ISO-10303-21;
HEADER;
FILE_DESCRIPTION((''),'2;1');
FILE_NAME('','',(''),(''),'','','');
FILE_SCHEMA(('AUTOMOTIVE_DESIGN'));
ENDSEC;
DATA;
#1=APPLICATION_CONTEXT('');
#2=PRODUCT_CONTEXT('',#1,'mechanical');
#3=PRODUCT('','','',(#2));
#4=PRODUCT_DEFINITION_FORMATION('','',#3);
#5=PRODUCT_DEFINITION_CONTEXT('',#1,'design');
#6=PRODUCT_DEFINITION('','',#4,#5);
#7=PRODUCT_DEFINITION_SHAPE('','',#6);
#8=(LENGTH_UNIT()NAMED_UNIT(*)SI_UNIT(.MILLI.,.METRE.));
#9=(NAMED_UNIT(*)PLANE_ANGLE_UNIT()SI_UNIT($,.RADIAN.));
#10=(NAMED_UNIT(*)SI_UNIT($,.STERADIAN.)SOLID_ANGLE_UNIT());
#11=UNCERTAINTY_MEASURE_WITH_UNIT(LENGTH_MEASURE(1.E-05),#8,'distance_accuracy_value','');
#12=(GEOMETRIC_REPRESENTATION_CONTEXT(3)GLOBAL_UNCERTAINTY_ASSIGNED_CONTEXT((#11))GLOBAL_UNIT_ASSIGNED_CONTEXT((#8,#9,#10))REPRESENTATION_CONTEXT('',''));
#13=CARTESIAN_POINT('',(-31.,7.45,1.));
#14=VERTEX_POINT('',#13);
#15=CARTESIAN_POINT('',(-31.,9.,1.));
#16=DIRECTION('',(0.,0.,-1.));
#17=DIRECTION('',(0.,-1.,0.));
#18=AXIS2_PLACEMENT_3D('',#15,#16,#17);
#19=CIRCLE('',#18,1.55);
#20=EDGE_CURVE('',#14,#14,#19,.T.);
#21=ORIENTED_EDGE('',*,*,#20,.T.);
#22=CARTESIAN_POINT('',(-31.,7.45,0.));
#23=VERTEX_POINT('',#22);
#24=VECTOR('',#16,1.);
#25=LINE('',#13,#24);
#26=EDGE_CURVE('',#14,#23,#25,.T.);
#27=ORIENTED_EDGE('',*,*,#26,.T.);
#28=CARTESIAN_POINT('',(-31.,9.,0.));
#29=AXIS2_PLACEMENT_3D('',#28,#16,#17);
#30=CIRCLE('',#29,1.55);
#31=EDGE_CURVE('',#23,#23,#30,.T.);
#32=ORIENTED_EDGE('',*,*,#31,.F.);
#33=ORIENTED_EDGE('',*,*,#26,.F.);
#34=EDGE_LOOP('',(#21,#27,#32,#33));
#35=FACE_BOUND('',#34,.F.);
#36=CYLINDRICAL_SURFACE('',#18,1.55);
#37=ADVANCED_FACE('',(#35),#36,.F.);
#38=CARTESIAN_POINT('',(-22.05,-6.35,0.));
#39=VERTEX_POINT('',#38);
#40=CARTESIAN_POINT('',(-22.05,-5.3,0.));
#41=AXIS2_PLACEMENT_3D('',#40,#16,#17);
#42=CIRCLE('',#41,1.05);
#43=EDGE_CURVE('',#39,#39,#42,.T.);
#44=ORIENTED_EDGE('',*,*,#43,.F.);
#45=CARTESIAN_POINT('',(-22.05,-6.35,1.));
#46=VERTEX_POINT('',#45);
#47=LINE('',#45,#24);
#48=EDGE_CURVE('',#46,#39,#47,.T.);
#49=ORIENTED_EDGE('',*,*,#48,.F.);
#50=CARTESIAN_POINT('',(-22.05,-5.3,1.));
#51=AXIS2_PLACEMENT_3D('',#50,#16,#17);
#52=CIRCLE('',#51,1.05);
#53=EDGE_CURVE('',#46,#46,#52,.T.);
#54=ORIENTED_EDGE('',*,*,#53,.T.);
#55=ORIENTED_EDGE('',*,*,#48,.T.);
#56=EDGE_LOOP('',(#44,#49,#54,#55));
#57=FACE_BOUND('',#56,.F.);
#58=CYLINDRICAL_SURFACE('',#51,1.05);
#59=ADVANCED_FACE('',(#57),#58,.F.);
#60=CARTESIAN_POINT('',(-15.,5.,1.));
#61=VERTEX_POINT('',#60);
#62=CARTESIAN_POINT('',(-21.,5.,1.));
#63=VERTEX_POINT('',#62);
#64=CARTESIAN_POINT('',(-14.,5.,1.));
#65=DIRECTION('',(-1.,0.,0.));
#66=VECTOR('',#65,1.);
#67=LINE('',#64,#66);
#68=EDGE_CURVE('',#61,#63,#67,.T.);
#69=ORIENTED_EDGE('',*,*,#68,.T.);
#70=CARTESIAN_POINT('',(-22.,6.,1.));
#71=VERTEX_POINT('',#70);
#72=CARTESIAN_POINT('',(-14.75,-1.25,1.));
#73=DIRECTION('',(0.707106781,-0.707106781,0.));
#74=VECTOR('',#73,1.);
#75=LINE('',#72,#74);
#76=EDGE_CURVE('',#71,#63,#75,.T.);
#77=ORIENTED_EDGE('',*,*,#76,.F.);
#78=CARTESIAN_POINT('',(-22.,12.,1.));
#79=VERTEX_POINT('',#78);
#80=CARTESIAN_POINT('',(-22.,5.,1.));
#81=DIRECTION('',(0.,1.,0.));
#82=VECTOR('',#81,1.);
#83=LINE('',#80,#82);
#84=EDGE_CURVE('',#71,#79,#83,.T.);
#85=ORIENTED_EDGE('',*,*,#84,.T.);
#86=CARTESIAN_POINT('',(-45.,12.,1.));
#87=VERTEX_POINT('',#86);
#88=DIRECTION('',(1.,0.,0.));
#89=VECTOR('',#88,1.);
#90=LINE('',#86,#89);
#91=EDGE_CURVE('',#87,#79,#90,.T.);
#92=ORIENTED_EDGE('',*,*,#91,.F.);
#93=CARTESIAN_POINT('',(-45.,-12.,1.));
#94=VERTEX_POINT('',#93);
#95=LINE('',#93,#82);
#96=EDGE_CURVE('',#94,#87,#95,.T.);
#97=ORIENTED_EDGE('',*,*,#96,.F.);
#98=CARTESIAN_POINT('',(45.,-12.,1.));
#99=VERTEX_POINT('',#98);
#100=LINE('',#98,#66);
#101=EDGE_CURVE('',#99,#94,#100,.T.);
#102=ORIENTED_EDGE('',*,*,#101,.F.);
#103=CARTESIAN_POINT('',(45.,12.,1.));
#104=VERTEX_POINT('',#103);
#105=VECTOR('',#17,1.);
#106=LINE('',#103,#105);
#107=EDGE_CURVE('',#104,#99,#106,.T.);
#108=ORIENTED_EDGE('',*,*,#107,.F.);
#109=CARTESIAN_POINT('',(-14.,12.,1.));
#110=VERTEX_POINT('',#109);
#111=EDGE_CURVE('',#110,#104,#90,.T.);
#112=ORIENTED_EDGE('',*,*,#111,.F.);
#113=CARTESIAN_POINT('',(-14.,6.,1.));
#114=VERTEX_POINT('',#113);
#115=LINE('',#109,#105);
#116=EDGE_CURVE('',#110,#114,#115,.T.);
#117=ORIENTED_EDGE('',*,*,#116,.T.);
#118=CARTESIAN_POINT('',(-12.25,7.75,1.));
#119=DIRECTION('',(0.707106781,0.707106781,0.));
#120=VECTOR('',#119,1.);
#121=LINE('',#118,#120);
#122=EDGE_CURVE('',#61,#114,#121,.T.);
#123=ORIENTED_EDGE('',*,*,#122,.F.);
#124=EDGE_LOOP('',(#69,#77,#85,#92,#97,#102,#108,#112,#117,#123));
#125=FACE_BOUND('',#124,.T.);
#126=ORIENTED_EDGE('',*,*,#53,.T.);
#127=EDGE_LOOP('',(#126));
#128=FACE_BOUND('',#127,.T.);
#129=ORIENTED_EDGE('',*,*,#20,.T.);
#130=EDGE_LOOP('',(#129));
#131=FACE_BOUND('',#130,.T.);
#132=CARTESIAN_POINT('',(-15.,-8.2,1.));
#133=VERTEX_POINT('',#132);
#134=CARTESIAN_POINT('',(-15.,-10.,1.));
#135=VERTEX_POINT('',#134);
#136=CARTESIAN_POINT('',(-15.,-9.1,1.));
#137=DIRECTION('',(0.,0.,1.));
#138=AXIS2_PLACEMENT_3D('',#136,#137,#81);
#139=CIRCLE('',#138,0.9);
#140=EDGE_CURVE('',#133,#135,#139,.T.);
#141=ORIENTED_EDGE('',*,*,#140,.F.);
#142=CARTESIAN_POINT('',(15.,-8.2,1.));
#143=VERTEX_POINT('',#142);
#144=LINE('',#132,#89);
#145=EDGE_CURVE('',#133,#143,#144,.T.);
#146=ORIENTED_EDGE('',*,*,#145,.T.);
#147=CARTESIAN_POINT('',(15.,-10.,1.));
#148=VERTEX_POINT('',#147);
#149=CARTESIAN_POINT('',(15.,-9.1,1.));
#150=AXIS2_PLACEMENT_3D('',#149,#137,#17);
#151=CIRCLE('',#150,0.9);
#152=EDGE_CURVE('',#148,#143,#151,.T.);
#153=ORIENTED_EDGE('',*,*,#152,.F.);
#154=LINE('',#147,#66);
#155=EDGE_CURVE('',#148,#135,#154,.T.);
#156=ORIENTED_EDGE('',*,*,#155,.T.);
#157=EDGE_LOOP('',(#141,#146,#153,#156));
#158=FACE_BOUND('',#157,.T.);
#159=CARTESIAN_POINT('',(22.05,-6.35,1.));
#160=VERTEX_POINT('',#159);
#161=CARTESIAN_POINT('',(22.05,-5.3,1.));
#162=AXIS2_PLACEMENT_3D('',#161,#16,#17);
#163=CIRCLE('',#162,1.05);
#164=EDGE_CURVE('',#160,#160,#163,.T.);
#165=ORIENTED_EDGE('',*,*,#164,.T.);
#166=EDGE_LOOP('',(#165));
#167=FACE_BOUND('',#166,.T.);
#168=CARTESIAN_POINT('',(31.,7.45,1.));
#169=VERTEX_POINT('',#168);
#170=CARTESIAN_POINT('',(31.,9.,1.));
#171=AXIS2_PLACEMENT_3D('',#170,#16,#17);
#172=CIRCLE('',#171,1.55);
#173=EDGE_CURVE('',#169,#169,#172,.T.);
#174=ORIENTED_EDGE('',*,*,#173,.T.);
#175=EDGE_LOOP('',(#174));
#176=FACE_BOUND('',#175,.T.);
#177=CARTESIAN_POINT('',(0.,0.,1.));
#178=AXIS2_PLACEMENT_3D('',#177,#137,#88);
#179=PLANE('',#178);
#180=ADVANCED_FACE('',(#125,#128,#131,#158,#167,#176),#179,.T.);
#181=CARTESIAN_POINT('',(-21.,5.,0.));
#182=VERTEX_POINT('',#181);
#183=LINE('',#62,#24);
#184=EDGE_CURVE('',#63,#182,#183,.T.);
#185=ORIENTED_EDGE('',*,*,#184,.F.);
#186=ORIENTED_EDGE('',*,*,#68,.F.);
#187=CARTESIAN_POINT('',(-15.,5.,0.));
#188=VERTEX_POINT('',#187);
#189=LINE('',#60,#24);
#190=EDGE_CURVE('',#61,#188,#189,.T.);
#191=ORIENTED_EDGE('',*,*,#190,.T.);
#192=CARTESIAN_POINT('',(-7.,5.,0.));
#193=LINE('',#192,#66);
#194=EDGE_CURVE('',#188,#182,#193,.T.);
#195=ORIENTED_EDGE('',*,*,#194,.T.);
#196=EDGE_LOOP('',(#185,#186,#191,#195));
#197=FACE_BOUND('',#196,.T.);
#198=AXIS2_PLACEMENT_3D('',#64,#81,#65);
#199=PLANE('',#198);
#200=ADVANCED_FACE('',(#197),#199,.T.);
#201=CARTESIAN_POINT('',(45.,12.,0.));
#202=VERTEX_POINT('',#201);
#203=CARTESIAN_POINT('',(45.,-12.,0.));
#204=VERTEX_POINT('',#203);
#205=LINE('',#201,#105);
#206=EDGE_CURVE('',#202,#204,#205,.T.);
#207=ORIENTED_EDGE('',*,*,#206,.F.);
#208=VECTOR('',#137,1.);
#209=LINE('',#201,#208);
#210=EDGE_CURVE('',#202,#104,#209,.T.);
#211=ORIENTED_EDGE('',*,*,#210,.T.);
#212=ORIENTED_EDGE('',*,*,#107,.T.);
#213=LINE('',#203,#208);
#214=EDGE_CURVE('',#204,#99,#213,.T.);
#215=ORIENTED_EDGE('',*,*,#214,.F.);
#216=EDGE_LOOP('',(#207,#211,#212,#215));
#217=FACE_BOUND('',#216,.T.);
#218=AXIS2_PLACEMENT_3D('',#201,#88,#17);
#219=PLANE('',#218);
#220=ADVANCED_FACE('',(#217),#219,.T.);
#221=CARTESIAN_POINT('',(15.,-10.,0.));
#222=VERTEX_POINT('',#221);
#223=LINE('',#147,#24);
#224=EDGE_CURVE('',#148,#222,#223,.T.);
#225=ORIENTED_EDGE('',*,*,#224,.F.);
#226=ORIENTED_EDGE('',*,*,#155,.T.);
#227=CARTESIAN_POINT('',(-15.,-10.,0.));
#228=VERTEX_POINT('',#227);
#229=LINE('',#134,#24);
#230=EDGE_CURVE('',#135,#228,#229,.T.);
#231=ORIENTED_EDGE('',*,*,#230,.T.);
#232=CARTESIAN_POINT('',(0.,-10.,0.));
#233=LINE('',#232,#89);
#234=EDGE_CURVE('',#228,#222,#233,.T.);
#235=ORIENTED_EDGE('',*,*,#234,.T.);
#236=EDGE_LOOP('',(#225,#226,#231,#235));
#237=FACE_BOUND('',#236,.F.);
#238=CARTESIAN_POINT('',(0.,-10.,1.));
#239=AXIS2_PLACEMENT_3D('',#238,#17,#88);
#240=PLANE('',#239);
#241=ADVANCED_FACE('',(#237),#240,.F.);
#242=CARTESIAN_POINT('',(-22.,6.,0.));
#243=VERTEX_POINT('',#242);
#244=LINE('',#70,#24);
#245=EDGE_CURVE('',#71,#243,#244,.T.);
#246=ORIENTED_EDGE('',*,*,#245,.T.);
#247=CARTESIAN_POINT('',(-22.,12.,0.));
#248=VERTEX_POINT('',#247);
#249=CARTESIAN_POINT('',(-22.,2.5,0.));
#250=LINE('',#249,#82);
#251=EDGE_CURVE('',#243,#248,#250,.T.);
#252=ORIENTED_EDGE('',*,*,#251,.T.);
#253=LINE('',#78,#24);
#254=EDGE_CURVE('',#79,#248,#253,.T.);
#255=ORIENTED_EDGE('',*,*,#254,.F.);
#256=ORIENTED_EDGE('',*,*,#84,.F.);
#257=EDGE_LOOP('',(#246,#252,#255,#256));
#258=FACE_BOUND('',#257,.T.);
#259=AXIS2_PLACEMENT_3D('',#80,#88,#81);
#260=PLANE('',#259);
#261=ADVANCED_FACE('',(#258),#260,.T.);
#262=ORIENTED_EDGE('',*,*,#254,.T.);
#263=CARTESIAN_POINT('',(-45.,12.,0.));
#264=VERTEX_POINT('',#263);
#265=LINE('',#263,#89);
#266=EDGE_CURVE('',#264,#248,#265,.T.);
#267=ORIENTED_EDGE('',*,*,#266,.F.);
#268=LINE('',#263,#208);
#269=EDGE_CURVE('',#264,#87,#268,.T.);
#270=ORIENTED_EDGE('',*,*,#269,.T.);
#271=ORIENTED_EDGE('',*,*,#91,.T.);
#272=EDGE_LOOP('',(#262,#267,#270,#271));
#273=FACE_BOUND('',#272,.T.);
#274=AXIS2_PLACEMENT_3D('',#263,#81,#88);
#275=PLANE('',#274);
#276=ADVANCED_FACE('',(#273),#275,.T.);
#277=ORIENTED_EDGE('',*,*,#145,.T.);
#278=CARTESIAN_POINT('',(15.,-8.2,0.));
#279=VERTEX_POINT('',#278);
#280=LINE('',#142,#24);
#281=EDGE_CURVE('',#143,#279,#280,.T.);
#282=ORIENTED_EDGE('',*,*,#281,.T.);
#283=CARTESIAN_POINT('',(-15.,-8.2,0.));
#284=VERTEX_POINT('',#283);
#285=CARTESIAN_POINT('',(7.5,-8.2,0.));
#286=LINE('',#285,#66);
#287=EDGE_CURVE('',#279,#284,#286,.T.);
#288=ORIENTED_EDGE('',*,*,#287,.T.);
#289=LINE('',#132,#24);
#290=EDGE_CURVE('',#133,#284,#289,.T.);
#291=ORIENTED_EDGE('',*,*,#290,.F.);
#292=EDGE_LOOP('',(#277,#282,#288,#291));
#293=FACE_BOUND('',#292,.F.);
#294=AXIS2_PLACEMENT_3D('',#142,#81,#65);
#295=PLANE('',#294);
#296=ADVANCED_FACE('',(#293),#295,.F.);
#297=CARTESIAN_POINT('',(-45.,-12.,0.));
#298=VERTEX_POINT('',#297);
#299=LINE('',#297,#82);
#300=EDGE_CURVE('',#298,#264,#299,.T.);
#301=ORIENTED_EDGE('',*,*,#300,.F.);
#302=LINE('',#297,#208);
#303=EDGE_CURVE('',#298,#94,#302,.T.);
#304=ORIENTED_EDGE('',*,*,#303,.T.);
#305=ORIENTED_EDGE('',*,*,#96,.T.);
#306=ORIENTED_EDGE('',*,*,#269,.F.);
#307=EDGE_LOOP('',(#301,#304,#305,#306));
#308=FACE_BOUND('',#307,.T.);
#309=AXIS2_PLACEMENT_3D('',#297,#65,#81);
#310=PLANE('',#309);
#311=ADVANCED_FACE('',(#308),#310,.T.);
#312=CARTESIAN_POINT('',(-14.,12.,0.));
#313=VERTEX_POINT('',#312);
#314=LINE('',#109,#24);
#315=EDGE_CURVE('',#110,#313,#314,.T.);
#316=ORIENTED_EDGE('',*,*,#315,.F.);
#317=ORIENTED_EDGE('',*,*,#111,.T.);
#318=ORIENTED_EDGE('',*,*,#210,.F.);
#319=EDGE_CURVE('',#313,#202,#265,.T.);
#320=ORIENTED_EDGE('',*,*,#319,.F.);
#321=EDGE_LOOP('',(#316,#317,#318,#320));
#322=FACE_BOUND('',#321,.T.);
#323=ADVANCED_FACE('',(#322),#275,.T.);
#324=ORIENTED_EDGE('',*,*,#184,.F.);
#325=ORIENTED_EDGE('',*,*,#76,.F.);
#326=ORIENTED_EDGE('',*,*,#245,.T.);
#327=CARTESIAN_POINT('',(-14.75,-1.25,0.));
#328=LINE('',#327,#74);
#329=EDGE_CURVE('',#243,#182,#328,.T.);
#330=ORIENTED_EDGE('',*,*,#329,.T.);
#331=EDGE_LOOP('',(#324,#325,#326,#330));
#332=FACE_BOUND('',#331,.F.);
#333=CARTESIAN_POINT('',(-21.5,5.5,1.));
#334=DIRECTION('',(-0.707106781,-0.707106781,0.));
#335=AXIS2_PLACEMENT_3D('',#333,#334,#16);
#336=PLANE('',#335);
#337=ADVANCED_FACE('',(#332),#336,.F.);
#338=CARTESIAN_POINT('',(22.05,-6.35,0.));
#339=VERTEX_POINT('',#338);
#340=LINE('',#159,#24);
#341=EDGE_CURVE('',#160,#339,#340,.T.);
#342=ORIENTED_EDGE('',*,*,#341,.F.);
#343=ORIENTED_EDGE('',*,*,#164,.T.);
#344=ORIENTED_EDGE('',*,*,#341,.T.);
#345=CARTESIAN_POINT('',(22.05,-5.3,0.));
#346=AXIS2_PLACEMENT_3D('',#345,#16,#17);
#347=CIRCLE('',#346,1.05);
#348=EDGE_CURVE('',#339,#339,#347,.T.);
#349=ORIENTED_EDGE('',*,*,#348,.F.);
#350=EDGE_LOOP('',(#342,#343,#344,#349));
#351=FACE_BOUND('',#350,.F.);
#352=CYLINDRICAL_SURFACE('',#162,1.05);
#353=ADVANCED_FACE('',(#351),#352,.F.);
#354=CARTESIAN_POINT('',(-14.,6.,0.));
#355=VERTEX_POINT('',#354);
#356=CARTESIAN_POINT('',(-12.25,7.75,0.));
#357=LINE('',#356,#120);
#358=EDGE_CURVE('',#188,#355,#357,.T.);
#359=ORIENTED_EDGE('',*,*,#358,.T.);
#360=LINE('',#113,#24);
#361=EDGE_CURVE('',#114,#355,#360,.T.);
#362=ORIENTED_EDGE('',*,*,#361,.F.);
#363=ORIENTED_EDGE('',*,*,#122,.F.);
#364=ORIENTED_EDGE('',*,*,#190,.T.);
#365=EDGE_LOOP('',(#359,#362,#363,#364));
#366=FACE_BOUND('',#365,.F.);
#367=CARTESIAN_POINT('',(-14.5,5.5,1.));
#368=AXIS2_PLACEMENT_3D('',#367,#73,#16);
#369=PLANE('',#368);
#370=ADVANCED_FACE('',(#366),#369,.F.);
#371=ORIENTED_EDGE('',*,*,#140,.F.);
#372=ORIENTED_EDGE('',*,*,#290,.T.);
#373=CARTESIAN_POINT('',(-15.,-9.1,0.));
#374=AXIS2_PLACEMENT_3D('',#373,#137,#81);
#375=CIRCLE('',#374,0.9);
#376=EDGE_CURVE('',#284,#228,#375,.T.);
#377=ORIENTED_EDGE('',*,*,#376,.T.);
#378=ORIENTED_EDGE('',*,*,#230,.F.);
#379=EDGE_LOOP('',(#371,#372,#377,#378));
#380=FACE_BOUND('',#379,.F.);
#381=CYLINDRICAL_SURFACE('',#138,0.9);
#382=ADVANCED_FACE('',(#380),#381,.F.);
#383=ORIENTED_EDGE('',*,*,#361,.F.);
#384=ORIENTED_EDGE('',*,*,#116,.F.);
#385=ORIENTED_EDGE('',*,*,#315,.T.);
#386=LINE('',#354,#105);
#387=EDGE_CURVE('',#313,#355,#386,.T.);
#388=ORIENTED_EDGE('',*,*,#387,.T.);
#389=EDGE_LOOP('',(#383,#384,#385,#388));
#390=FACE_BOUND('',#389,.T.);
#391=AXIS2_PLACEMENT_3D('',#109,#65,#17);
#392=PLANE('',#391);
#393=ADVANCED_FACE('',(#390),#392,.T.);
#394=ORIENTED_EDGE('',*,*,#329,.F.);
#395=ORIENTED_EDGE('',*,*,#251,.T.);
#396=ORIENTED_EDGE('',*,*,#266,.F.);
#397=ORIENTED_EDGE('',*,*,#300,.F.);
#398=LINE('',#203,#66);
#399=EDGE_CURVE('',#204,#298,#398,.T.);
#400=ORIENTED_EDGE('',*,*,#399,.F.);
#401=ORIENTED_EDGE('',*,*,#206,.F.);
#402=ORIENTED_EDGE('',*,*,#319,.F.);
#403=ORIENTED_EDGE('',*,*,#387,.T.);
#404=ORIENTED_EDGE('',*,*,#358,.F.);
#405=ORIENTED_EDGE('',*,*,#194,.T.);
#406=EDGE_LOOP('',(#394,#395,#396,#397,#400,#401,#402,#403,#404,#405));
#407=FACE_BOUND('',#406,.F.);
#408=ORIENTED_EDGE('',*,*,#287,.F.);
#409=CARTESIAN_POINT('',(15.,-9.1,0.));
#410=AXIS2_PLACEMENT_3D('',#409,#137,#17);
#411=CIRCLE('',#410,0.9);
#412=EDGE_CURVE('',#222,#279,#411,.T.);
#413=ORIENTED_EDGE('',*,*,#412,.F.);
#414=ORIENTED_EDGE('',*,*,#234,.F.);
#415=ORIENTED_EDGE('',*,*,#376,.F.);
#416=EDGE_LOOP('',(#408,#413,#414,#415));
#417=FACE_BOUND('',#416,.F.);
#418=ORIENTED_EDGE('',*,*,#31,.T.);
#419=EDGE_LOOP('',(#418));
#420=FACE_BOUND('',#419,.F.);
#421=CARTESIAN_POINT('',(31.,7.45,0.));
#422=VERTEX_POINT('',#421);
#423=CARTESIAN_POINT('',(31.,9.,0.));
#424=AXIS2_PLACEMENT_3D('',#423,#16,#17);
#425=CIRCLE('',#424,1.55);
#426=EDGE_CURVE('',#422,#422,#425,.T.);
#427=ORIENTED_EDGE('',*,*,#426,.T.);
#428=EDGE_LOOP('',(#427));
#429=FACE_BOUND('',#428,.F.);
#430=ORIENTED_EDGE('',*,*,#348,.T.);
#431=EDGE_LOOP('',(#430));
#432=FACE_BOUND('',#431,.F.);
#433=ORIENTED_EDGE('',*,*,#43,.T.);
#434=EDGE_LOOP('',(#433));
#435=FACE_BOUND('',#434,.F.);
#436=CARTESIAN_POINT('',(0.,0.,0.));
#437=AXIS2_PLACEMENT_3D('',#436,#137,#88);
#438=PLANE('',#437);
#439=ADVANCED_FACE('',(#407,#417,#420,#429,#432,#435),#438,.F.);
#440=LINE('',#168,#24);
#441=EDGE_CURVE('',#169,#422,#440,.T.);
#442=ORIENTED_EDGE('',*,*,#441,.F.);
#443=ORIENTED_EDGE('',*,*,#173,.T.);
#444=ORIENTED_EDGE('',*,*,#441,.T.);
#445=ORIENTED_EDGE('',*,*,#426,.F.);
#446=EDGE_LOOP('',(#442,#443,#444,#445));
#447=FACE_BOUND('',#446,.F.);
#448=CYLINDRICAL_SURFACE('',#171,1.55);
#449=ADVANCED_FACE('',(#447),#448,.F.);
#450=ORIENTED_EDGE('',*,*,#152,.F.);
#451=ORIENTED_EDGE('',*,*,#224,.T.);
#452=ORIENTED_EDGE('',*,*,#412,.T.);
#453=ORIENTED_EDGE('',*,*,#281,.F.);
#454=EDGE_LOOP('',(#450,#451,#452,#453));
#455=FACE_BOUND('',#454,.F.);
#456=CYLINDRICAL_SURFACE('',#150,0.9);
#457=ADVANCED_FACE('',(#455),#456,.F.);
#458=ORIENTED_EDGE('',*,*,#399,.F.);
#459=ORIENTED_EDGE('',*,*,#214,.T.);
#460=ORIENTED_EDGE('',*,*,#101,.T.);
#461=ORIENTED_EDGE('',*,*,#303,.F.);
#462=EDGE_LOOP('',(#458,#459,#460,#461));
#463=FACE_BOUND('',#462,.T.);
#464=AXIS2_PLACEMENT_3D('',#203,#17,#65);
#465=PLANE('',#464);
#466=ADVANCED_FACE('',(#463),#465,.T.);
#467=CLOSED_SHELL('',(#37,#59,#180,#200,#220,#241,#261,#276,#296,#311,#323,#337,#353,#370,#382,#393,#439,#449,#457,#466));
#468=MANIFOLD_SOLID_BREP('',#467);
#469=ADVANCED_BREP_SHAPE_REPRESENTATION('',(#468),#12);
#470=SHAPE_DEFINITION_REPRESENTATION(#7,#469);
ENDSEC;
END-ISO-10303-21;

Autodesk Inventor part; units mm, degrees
ref_plane "YZ Plane" through (0, 0, 0) normal (1, 0, 0) x (0, 1, 0)
ref_plane "XZ Plane" through (0, 0, 0) normal (0, 1, 0) x (-1, 0, 0)
ref_plane "XY Plane" through (0, 0, 0) normal (0, 0, 1) x (1, 0, 0)
sketch "Skizze1" plane through (0, 0, 0) normal (0, 0, 1) x (1, 0, 0)
  line L0 (-45, 12) -> (45, 12)
  line L1 (45, 12) -> (45, -12)
  line L2 (45, -12) -> (-45, -12)
  line L3 (-45, -12) -> (-45, 12)
  line L4 (-45, 12) -> (45, -12) construction
  line L5 (45, 12) -> (-45, -12) construction
  point P0 (0, 0)
  dimension "d0" = 24
  dimension "d1" = 90
extrude "Extrusion1" add sketch "Skizze1" along normal blind 1
sketch "Skizze4" plane through (0, 0, 1) normal (0, 0, 1) x (1, 0, 0)
  line L0 (15, -9.1) -> (-15, -9.1) construction
  line L1 (15, -8.2) -> (-15, -8.2)
  line L2 (-15, -10) -> (15, -10)
  arc A0 (15, -10) -> (15, -8.2) centre (15, -9.1) ccw
  arc A1 (-15, -8.2) -> (-15, -10) centre (-15, -9.1) ccw
  line L3 (0, 17) -> (0, -18) projected
  line L4 (-45, -12) -> (45, -12) projected
  point P0 (0, 0)
  point P1 (0, -9.1)
  dimension "d25" = 1.8
  dimension "d26" = 30
  dimension "d27" = 2
extrude "Extrusion2" cut sketch "Skizze4" against normal through all
sketch "Skizze2" plane through (0, 0, 1) normal (0, 0, 1) x (1, 0, 0)
  line L0 (31, 9) -> (-31, 9) construction
  line L1 (45, 12) -> (-45, 12) projected
  line L2 (0, 20.4) -> (0, -17.4) projected
  line L3 (-45, -12) -> (45, -12) projected
  dimension "d5" = 62
  dimension "d48" = 21
hole "Bohrung1" at (-31, 9, 1) at (31, 9, 1) direction (0, 0, -1) diameter 3.1 end through all
sketch "Skizze5" plane through (0, 0, 1) normal (0, 0, 1) x (1, 0, 0)
  line L0 (-45, -12) -> (45, -12) projected
  line L1 (0, 17.4) -> (0, -20.4) projected
  point P0 (0, 0)
  point P1 (22.05, -5.3)
  point P2 (-22.05, -5.3)
  dimension "d30" = 6.7
  dimension "d31" = 44.1
hole "Bohrung3" at (22.05, -5.3, 1) at (-22.05, -5.3, 1) direction (0, 0, -1) diameter 2.1 end through all
sketch "Skizze7" plane through (0, 0, 1) normal (0, 0, 1) x (1, 0, 0)
  line L0 (0, 20.4) -> (0, -17.4) projected
  line L1 (-45, -12) -> (45, -12) projected
  line L2 (-22, 12) -> (-14, 12)
  line L3 (-14, 12) -> (-14, 5)
  line L4 (-14, 5) -> (-22, 5)
  line L5 (-22, 5) -> (-22, 12)
  line L6 (-18, 5) -> (-18, 12) construction
  line L7 (45, 12) -> (-45, 12) construction
  point P0 (0, 0)
  dimension "d49" = 18
  dimension "d50" = 17
  dimension "d51" = 8
extrude "Extrusion4" cut sketch "Skizze7" against normal through all
chamfer "Fase1" distance 1 angle 45 2 edges at (-22, 5, 0.5) (-14, 5, 0.5)
properties part number "Ballsensorplatine" material "Phenolharz"
